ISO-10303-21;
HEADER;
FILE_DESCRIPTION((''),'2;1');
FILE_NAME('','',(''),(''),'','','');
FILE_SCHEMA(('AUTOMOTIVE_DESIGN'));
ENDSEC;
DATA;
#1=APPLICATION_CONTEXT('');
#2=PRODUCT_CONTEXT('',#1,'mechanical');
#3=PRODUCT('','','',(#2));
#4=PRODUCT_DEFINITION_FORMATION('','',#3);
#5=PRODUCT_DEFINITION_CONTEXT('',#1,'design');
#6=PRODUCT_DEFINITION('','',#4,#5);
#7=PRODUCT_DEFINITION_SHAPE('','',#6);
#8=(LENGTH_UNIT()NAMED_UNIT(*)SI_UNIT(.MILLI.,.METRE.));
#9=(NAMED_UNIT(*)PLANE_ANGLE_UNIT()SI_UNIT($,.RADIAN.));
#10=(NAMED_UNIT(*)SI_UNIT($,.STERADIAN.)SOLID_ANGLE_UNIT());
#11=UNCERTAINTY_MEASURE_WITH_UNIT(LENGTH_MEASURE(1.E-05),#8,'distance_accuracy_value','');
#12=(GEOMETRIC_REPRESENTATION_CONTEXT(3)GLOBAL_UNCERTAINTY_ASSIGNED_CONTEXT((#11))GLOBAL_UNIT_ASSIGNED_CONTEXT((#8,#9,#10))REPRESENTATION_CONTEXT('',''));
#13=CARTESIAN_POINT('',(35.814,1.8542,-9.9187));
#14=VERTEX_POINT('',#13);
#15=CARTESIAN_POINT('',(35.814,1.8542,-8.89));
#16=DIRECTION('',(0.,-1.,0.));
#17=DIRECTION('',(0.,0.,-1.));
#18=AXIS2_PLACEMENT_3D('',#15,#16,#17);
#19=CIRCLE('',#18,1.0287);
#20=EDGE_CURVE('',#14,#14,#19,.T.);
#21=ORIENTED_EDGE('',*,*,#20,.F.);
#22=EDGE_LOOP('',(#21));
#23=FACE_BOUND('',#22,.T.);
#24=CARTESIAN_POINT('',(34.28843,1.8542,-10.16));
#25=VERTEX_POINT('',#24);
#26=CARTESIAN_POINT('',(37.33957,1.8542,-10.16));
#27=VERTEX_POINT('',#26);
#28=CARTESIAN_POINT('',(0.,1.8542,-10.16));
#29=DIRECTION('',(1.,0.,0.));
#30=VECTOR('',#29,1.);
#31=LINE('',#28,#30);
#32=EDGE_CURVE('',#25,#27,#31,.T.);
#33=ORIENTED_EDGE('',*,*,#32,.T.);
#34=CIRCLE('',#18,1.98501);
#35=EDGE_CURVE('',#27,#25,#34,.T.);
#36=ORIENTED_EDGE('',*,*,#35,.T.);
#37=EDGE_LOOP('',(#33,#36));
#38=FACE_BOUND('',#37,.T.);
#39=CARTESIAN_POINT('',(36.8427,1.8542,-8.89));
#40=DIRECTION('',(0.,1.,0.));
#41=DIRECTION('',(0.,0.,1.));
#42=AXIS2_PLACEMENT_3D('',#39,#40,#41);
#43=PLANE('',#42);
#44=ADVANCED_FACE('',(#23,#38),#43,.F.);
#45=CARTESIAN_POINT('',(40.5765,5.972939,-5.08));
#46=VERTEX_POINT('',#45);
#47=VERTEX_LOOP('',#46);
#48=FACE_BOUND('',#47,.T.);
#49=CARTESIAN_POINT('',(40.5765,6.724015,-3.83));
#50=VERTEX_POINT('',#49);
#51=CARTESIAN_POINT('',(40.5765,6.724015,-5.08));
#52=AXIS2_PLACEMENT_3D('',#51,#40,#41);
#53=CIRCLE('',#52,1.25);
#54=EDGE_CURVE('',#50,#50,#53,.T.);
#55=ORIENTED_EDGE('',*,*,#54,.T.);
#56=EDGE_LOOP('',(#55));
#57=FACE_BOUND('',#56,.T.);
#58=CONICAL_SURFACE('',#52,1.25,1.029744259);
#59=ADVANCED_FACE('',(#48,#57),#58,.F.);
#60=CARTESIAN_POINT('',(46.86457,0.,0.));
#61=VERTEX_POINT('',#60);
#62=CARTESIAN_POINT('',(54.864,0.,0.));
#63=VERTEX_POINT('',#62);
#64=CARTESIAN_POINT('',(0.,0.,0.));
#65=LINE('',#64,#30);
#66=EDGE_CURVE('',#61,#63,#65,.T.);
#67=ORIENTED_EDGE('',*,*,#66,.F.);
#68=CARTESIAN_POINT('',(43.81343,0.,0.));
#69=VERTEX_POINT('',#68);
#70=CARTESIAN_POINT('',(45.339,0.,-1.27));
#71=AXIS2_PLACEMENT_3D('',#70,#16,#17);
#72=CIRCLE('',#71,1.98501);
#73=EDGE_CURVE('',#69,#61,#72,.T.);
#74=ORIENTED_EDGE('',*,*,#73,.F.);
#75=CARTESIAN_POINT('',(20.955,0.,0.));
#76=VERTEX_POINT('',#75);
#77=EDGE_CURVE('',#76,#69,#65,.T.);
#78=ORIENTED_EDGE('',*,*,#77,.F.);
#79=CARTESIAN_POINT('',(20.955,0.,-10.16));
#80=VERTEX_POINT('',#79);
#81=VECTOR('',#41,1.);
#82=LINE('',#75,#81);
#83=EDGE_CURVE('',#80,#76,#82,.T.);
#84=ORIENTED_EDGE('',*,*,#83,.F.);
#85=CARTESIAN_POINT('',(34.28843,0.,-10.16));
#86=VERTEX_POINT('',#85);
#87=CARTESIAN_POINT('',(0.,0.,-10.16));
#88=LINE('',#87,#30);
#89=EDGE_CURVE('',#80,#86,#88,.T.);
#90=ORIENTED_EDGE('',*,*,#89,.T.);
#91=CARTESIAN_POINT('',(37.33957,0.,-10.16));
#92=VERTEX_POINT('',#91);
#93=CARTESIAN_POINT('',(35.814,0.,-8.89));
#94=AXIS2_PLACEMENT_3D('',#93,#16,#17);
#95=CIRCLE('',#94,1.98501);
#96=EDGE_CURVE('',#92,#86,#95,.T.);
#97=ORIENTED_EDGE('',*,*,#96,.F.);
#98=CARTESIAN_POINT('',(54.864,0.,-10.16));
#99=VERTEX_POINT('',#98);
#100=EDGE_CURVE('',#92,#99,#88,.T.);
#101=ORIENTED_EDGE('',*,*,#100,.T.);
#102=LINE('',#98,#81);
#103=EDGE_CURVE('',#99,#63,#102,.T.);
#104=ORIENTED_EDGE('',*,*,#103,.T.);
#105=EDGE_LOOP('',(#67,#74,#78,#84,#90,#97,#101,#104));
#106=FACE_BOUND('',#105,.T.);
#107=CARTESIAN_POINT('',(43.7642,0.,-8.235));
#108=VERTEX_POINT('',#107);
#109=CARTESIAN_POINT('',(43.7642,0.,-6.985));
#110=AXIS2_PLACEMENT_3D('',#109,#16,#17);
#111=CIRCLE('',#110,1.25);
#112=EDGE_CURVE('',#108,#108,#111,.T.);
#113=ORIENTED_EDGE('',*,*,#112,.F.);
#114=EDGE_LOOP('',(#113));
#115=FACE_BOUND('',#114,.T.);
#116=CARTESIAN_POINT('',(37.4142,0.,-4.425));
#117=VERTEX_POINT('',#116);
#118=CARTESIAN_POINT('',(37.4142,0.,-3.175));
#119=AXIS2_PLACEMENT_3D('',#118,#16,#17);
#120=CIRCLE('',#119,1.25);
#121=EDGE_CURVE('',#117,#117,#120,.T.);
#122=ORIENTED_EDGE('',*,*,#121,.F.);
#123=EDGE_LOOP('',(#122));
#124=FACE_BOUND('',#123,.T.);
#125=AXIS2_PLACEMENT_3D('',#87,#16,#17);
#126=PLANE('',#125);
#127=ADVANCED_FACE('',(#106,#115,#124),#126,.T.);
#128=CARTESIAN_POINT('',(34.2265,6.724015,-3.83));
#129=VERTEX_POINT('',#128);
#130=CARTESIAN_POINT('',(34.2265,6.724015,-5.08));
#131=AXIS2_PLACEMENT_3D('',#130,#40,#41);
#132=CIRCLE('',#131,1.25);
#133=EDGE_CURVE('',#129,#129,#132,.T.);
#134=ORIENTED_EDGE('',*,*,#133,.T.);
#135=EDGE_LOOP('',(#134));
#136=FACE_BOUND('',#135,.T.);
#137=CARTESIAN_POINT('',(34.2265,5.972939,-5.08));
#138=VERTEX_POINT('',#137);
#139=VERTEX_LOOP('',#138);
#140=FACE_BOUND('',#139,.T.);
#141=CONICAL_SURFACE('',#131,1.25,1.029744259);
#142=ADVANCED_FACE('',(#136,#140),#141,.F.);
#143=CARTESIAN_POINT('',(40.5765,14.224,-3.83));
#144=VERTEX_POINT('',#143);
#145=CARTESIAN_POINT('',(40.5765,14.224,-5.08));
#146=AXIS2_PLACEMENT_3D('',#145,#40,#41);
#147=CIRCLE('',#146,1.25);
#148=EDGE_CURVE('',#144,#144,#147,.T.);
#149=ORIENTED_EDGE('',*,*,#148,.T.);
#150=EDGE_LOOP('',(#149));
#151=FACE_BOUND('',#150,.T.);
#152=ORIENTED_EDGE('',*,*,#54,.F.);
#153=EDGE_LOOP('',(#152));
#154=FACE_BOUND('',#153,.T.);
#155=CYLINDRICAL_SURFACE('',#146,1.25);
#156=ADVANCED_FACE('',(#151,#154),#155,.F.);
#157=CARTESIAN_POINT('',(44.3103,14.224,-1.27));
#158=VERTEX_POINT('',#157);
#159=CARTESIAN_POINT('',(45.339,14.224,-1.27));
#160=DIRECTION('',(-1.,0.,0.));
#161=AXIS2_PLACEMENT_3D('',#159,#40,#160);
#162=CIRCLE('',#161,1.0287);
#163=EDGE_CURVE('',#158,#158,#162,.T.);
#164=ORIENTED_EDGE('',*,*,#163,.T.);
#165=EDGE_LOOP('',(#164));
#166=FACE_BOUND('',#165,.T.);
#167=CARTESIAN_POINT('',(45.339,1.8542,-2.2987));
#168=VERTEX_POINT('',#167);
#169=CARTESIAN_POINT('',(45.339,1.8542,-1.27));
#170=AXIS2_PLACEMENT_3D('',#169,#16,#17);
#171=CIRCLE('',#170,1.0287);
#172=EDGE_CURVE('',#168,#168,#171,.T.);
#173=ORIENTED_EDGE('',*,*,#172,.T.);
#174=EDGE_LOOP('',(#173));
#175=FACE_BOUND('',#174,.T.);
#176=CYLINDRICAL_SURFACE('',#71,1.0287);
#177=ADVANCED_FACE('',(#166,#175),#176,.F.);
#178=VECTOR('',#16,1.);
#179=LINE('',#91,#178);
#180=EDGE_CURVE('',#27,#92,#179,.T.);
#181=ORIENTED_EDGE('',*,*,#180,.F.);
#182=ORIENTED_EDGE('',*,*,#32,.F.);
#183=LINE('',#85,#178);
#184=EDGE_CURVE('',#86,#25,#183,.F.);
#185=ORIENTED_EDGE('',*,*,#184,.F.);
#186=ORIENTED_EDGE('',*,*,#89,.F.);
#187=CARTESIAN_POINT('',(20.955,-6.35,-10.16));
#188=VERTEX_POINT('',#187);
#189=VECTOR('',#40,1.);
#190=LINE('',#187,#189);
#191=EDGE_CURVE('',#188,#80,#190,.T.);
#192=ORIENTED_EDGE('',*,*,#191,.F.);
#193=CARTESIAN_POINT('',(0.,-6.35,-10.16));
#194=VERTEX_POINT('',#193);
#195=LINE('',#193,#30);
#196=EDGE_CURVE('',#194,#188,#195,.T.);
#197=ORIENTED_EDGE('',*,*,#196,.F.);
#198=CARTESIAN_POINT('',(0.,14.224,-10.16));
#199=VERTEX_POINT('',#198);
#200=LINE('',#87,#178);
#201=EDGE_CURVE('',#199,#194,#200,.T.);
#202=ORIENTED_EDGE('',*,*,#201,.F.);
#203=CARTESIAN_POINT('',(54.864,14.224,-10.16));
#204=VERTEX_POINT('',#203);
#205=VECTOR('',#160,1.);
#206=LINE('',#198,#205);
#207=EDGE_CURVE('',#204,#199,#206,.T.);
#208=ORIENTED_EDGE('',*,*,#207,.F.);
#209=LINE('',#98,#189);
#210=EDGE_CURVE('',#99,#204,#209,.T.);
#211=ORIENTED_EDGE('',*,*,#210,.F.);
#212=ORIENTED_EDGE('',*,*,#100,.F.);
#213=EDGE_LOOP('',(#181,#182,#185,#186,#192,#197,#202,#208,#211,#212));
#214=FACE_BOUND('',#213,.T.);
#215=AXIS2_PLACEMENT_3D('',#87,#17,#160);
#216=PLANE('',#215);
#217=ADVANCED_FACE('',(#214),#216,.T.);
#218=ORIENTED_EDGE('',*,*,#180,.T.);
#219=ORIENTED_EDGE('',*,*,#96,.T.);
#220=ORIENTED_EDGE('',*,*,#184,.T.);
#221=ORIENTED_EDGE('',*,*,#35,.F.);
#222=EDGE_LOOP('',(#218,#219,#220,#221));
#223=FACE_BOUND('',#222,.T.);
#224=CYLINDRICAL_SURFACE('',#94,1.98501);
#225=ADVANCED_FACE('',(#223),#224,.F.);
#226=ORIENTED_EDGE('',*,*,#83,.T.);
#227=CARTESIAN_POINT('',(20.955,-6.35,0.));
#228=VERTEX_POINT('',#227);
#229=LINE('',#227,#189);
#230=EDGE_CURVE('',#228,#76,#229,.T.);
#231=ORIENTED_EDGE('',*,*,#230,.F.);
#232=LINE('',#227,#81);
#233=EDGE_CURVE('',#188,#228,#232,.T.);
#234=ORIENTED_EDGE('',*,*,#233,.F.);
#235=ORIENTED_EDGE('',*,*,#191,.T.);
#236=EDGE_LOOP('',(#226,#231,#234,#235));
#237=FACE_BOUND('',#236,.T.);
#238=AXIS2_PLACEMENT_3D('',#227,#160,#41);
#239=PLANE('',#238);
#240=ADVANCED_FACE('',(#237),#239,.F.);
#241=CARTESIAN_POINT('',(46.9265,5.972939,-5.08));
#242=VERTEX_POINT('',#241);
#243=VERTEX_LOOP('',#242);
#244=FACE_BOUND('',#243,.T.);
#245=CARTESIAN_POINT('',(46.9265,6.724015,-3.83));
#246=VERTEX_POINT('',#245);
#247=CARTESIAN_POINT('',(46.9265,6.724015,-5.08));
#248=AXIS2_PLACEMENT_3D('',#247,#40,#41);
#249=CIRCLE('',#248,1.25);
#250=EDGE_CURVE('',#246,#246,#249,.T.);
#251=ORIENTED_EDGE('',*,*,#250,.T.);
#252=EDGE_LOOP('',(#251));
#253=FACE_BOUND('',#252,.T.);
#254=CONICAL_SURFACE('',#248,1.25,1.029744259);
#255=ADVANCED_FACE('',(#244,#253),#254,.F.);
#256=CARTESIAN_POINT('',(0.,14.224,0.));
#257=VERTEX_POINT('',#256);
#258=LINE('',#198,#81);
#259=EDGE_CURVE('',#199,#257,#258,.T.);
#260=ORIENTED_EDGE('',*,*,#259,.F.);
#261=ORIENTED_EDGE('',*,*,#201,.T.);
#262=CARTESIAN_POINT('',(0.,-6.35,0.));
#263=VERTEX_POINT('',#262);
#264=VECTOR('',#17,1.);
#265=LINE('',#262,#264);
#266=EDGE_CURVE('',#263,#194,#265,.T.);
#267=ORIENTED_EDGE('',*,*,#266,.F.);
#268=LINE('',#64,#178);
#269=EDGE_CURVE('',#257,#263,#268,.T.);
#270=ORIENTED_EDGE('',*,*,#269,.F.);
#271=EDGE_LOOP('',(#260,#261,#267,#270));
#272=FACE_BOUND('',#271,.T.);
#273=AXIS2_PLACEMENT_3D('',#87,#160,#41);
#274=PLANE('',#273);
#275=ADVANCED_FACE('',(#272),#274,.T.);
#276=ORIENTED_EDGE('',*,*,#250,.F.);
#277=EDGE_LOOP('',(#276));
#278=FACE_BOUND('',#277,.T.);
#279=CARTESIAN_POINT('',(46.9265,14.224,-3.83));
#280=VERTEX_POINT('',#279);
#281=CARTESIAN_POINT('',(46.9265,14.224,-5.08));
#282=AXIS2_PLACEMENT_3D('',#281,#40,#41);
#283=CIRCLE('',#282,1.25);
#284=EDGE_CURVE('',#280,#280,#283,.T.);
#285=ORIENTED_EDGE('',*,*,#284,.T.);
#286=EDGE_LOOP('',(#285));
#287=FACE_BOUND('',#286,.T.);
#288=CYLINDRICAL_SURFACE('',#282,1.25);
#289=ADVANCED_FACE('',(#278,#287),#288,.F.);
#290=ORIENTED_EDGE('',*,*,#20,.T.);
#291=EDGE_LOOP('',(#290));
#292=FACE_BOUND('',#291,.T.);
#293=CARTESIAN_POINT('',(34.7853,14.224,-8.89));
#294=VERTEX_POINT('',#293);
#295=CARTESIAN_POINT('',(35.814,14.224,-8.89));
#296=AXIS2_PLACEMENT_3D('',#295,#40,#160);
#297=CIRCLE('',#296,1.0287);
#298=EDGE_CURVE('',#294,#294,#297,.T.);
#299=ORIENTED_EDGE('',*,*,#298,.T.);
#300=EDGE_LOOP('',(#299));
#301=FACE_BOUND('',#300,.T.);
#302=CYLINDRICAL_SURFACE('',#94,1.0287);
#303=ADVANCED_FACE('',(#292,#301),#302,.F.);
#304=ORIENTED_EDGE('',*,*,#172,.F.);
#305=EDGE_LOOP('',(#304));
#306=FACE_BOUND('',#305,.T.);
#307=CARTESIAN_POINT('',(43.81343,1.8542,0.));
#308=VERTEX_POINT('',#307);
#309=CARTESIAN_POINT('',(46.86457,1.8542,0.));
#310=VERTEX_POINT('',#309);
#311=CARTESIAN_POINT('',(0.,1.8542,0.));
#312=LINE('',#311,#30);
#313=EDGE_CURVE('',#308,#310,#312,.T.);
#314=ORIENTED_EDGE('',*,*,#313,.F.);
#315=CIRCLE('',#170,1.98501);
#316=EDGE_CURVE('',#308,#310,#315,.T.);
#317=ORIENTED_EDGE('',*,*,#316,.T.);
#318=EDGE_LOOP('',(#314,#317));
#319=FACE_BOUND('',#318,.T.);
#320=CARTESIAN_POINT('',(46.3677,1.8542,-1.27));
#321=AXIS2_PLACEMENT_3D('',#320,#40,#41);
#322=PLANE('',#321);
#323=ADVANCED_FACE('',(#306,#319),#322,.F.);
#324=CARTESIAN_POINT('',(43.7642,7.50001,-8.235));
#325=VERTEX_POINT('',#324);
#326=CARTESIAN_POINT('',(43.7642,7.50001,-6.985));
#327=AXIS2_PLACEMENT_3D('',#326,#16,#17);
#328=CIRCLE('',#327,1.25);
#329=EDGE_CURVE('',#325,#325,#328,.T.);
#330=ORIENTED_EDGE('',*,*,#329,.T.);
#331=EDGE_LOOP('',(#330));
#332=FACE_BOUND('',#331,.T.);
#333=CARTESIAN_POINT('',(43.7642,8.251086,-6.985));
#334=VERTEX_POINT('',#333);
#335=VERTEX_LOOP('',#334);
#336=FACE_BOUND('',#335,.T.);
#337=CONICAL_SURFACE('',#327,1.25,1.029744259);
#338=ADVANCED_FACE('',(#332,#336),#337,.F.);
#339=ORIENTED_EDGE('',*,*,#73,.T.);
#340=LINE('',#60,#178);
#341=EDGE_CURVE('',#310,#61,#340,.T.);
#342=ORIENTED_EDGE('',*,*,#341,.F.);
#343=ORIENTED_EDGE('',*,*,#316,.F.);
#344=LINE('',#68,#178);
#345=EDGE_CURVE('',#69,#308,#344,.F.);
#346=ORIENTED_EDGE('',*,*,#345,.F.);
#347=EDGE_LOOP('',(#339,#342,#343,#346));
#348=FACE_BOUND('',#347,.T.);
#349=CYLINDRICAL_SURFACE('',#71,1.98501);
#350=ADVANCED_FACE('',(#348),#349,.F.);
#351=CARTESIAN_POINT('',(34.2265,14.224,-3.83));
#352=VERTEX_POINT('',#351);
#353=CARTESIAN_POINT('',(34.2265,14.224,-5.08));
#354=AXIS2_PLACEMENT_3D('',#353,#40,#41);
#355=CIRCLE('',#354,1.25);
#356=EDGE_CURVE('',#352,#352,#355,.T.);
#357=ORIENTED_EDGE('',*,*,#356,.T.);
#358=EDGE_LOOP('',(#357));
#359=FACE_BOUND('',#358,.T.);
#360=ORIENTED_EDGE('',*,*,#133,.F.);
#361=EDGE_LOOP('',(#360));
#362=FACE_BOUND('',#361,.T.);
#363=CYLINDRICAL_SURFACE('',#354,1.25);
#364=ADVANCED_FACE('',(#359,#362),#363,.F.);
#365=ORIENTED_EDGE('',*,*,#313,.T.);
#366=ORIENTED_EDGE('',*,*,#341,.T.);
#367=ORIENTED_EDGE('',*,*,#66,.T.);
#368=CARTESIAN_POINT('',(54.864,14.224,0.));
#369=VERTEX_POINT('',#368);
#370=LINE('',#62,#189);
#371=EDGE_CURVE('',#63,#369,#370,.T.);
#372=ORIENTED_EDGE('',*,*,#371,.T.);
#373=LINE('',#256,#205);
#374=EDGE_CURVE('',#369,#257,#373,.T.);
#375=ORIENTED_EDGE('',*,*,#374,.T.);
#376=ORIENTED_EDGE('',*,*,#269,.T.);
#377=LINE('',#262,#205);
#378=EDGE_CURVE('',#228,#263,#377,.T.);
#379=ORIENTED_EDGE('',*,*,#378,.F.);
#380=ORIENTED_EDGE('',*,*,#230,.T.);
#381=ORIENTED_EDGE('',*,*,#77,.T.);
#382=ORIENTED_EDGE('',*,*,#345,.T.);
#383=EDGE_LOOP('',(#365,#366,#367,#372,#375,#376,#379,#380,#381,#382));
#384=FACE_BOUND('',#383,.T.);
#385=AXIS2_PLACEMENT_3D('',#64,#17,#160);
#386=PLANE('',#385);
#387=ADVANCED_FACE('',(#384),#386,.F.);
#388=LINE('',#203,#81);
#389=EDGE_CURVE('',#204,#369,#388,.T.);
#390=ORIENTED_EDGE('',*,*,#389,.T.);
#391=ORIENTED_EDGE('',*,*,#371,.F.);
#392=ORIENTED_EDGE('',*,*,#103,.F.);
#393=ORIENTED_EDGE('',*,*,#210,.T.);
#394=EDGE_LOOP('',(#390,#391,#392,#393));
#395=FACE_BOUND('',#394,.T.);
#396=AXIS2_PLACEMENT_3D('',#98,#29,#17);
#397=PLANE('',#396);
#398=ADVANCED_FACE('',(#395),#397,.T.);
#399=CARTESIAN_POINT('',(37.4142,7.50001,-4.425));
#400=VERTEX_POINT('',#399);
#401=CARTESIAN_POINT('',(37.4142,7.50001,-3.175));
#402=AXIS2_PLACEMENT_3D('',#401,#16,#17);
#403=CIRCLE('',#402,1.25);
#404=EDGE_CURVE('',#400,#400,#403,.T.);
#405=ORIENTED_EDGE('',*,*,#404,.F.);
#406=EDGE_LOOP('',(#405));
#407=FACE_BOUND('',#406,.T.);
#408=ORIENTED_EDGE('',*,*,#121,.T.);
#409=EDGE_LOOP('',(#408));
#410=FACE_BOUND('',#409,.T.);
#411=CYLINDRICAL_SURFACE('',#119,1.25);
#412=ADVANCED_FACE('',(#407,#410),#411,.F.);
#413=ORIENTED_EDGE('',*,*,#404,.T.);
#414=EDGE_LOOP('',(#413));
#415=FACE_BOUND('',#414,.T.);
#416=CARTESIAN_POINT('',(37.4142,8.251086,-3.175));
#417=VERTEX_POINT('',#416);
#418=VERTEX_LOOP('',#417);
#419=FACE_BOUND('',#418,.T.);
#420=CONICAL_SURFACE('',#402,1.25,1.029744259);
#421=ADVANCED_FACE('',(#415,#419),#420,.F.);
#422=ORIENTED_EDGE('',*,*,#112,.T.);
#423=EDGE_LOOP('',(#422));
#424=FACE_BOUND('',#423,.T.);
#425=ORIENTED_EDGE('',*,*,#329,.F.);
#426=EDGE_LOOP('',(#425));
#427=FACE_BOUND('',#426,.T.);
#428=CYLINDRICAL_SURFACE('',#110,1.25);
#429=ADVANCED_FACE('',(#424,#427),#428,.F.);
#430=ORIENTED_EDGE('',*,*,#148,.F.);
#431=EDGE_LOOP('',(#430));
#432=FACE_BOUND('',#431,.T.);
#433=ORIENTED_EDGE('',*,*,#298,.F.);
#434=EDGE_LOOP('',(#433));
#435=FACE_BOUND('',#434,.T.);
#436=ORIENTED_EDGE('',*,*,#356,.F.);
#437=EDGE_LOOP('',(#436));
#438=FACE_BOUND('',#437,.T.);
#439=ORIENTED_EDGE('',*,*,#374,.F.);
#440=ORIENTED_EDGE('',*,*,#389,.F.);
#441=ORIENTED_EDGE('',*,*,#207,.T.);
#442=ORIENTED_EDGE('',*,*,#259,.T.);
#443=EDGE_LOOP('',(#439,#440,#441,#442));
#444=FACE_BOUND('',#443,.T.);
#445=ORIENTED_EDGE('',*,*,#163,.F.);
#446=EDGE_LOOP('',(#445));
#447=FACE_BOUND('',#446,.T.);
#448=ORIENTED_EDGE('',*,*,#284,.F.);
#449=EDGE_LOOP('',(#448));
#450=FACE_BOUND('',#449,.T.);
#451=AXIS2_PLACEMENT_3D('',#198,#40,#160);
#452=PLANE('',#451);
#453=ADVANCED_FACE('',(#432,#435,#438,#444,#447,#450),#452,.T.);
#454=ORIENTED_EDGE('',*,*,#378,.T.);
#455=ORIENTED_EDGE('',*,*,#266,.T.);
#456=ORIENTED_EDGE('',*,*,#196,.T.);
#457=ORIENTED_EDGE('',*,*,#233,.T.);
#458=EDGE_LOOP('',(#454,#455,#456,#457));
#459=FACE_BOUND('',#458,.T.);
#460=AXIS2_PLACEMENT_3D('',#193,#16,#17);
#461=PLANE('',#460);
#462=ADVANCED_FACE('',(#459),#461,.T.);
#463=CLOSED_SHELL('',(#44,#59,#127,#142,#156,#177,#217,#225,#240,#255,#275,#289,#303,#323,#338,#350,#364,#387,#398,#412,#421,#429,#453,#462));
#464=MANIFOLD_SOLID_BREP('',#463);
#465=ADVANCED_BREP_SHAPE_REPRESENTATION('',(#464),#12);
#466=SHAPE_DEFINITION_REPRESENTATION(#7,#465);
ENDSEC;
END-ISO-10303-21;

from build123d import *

# Parameters (mm, degrees)
SKETCH1_W                                      = 54.864
SKETCH1_H                                      = 14.224
BASE_EXTRUDE_DEPTH                             = 10.16
SKETCH2_W                                      = 20.955
SKETCH2_H                                      = 10.16
BOSS_EXTRUDE1_DEPTH                            = 6.35
M3X0_5_TAPPED_HOLE1_D                          = 2.5
M3X0_5_TAPPED_HOLE1_DEPTH                      = 7.499985
M3X0_5_TAPPED_HOLE1_TIP                        = 0.751075774
CBORE_FOR_1_SOCKET_HEAD_CAP_SCREW1_D           = 2.0574
CBORE_FOR_1_SOCKET_HEAD_CAP_SCREW1_DEPTH       = 22.86
CBORE_FOR_1_SOCKET_HEAD_CAP_SCREW1_CBORE_D     = 3.97002
CBORE_FOR_1_SOCKET_HEAD_CAP_SCREW1_CBORE_DEPTH = 1.8542
CBORE_FOR_1_SOCKET_HEAD_CAP_SCREW1_TIP         = 0.618105319
M3X0_5_TAPPED_HOLE2_D                          = 2.5
M3X0_5_TAPPED_HOLE2_DEPTH                      = 7.5000104
M3X0_5_TAPPED_HOLE2_TIP                        = 0.751075774


with BuildPart() as part:
    # Sketch1 → Base-Extrude (new body)
    with BuildSketch(Plane.XY):
        with Locations((27.432, 7.112)):
            Rectangle(SKETCH1_W, SKETCH1_H)
    extrude(amount=-BASE_EXTRUDE_DEPTH)

    # Sketch2 → Boss-Extrude1 (add)
    with BuildSketch(Plane.XZ):
        with Locations((10.4775, -5.08)):
            Rectangle(SKETCH2_W, SKETCH2_H)
    extrude(amount=BOSS_EXTRUDE1_DEPTH)

    # M3x0.5 Tapped Hole1
    with Locations(Plane(origin=(0, 14.224, 0), x_dir=(-1, 0, 0), z_dir=(0, 1, 0))):
        with Locations((-46.9265, -5.08), (-40.5765, -5.08), (-34.2265, -5.08)):
            Hole(M3X0_5_TAPPED_HOLE1_D / 2, depth=M3X0_5_TAPPED_HOLE1_DEPTH)
            with Locations((0, 0, -(M3X0_5_TAPPED_HOLE1_DEPTH + M3X0_5_TAPPED_HOLE1_TIP / 2))):  # 118° drill point
                Cone(0, M3X0_5_TAPPED_HOLE1_D / 2, M3X0_5_TAPPED_HOLE1_TIP, mode=Mode.SUBTRACT)

    # CBORE for #1 Socket Head Cap Screw1
    with Locations(Plane.XZ):
        with Locations((45.339, -1.27), (35.814, -8.89)):
            CounterBoreHole(CBORE_FOR_1_SOCKET_HEAD_CAP_SCREW1_D / 2, CBORE_FOR_1_SOCKET_HEAD_CAP_SCREW1_CBORE_D / 2, CBORE_FOR_1_SOCKET_HEAD_CAP_SCREW1_CBORE_DEPTH, depth=CBORE_FOR_1_SOCKET_HEAD_CAP_SCREW1_DEPTH)
            with Locations((0, 0, -(CBORE_FOR_1_SOCKET_HEAD_CAP_SCREW1_DEPTH + CBORE_FOR_1_SOCKET_HEAD_CAP_SCREW1_TIP / 2))):  # 118° drill point
                Cone(0, CBORE_FOR_1_SOCKET_HEAD_CAP_SCREW1_D / 2, CBORE_FOR_1_SOCKET_HEAD_CAP_SCREW1_TIP, mode=Mode.SUBTRACT)

    # M3x0.5 Tapped Hole2
    with Locations(Plane.XZ):
        with Locations((43.7642, -6.985), (37.4142, -3.175)):
            Hole(M3X0_5_TAPPED_HOLE2_D / 2, depth=M3X0_5_TAPPED_HOLE2_DEPTH)
            with Locations((0, 0, -(M3X0_5_TAPPED_HOLE2_DEPTH + M3X0_5_TAPPED_HOLE2_TIP / 2))):  # 118° drill point
                Cone(0, M3X0_5_TAPPED_HOLE2_D / 2, M3X0_5_TAPPED_HOLE2_TIP, mode=Mode.SUBTRACT)


solid = part.part
